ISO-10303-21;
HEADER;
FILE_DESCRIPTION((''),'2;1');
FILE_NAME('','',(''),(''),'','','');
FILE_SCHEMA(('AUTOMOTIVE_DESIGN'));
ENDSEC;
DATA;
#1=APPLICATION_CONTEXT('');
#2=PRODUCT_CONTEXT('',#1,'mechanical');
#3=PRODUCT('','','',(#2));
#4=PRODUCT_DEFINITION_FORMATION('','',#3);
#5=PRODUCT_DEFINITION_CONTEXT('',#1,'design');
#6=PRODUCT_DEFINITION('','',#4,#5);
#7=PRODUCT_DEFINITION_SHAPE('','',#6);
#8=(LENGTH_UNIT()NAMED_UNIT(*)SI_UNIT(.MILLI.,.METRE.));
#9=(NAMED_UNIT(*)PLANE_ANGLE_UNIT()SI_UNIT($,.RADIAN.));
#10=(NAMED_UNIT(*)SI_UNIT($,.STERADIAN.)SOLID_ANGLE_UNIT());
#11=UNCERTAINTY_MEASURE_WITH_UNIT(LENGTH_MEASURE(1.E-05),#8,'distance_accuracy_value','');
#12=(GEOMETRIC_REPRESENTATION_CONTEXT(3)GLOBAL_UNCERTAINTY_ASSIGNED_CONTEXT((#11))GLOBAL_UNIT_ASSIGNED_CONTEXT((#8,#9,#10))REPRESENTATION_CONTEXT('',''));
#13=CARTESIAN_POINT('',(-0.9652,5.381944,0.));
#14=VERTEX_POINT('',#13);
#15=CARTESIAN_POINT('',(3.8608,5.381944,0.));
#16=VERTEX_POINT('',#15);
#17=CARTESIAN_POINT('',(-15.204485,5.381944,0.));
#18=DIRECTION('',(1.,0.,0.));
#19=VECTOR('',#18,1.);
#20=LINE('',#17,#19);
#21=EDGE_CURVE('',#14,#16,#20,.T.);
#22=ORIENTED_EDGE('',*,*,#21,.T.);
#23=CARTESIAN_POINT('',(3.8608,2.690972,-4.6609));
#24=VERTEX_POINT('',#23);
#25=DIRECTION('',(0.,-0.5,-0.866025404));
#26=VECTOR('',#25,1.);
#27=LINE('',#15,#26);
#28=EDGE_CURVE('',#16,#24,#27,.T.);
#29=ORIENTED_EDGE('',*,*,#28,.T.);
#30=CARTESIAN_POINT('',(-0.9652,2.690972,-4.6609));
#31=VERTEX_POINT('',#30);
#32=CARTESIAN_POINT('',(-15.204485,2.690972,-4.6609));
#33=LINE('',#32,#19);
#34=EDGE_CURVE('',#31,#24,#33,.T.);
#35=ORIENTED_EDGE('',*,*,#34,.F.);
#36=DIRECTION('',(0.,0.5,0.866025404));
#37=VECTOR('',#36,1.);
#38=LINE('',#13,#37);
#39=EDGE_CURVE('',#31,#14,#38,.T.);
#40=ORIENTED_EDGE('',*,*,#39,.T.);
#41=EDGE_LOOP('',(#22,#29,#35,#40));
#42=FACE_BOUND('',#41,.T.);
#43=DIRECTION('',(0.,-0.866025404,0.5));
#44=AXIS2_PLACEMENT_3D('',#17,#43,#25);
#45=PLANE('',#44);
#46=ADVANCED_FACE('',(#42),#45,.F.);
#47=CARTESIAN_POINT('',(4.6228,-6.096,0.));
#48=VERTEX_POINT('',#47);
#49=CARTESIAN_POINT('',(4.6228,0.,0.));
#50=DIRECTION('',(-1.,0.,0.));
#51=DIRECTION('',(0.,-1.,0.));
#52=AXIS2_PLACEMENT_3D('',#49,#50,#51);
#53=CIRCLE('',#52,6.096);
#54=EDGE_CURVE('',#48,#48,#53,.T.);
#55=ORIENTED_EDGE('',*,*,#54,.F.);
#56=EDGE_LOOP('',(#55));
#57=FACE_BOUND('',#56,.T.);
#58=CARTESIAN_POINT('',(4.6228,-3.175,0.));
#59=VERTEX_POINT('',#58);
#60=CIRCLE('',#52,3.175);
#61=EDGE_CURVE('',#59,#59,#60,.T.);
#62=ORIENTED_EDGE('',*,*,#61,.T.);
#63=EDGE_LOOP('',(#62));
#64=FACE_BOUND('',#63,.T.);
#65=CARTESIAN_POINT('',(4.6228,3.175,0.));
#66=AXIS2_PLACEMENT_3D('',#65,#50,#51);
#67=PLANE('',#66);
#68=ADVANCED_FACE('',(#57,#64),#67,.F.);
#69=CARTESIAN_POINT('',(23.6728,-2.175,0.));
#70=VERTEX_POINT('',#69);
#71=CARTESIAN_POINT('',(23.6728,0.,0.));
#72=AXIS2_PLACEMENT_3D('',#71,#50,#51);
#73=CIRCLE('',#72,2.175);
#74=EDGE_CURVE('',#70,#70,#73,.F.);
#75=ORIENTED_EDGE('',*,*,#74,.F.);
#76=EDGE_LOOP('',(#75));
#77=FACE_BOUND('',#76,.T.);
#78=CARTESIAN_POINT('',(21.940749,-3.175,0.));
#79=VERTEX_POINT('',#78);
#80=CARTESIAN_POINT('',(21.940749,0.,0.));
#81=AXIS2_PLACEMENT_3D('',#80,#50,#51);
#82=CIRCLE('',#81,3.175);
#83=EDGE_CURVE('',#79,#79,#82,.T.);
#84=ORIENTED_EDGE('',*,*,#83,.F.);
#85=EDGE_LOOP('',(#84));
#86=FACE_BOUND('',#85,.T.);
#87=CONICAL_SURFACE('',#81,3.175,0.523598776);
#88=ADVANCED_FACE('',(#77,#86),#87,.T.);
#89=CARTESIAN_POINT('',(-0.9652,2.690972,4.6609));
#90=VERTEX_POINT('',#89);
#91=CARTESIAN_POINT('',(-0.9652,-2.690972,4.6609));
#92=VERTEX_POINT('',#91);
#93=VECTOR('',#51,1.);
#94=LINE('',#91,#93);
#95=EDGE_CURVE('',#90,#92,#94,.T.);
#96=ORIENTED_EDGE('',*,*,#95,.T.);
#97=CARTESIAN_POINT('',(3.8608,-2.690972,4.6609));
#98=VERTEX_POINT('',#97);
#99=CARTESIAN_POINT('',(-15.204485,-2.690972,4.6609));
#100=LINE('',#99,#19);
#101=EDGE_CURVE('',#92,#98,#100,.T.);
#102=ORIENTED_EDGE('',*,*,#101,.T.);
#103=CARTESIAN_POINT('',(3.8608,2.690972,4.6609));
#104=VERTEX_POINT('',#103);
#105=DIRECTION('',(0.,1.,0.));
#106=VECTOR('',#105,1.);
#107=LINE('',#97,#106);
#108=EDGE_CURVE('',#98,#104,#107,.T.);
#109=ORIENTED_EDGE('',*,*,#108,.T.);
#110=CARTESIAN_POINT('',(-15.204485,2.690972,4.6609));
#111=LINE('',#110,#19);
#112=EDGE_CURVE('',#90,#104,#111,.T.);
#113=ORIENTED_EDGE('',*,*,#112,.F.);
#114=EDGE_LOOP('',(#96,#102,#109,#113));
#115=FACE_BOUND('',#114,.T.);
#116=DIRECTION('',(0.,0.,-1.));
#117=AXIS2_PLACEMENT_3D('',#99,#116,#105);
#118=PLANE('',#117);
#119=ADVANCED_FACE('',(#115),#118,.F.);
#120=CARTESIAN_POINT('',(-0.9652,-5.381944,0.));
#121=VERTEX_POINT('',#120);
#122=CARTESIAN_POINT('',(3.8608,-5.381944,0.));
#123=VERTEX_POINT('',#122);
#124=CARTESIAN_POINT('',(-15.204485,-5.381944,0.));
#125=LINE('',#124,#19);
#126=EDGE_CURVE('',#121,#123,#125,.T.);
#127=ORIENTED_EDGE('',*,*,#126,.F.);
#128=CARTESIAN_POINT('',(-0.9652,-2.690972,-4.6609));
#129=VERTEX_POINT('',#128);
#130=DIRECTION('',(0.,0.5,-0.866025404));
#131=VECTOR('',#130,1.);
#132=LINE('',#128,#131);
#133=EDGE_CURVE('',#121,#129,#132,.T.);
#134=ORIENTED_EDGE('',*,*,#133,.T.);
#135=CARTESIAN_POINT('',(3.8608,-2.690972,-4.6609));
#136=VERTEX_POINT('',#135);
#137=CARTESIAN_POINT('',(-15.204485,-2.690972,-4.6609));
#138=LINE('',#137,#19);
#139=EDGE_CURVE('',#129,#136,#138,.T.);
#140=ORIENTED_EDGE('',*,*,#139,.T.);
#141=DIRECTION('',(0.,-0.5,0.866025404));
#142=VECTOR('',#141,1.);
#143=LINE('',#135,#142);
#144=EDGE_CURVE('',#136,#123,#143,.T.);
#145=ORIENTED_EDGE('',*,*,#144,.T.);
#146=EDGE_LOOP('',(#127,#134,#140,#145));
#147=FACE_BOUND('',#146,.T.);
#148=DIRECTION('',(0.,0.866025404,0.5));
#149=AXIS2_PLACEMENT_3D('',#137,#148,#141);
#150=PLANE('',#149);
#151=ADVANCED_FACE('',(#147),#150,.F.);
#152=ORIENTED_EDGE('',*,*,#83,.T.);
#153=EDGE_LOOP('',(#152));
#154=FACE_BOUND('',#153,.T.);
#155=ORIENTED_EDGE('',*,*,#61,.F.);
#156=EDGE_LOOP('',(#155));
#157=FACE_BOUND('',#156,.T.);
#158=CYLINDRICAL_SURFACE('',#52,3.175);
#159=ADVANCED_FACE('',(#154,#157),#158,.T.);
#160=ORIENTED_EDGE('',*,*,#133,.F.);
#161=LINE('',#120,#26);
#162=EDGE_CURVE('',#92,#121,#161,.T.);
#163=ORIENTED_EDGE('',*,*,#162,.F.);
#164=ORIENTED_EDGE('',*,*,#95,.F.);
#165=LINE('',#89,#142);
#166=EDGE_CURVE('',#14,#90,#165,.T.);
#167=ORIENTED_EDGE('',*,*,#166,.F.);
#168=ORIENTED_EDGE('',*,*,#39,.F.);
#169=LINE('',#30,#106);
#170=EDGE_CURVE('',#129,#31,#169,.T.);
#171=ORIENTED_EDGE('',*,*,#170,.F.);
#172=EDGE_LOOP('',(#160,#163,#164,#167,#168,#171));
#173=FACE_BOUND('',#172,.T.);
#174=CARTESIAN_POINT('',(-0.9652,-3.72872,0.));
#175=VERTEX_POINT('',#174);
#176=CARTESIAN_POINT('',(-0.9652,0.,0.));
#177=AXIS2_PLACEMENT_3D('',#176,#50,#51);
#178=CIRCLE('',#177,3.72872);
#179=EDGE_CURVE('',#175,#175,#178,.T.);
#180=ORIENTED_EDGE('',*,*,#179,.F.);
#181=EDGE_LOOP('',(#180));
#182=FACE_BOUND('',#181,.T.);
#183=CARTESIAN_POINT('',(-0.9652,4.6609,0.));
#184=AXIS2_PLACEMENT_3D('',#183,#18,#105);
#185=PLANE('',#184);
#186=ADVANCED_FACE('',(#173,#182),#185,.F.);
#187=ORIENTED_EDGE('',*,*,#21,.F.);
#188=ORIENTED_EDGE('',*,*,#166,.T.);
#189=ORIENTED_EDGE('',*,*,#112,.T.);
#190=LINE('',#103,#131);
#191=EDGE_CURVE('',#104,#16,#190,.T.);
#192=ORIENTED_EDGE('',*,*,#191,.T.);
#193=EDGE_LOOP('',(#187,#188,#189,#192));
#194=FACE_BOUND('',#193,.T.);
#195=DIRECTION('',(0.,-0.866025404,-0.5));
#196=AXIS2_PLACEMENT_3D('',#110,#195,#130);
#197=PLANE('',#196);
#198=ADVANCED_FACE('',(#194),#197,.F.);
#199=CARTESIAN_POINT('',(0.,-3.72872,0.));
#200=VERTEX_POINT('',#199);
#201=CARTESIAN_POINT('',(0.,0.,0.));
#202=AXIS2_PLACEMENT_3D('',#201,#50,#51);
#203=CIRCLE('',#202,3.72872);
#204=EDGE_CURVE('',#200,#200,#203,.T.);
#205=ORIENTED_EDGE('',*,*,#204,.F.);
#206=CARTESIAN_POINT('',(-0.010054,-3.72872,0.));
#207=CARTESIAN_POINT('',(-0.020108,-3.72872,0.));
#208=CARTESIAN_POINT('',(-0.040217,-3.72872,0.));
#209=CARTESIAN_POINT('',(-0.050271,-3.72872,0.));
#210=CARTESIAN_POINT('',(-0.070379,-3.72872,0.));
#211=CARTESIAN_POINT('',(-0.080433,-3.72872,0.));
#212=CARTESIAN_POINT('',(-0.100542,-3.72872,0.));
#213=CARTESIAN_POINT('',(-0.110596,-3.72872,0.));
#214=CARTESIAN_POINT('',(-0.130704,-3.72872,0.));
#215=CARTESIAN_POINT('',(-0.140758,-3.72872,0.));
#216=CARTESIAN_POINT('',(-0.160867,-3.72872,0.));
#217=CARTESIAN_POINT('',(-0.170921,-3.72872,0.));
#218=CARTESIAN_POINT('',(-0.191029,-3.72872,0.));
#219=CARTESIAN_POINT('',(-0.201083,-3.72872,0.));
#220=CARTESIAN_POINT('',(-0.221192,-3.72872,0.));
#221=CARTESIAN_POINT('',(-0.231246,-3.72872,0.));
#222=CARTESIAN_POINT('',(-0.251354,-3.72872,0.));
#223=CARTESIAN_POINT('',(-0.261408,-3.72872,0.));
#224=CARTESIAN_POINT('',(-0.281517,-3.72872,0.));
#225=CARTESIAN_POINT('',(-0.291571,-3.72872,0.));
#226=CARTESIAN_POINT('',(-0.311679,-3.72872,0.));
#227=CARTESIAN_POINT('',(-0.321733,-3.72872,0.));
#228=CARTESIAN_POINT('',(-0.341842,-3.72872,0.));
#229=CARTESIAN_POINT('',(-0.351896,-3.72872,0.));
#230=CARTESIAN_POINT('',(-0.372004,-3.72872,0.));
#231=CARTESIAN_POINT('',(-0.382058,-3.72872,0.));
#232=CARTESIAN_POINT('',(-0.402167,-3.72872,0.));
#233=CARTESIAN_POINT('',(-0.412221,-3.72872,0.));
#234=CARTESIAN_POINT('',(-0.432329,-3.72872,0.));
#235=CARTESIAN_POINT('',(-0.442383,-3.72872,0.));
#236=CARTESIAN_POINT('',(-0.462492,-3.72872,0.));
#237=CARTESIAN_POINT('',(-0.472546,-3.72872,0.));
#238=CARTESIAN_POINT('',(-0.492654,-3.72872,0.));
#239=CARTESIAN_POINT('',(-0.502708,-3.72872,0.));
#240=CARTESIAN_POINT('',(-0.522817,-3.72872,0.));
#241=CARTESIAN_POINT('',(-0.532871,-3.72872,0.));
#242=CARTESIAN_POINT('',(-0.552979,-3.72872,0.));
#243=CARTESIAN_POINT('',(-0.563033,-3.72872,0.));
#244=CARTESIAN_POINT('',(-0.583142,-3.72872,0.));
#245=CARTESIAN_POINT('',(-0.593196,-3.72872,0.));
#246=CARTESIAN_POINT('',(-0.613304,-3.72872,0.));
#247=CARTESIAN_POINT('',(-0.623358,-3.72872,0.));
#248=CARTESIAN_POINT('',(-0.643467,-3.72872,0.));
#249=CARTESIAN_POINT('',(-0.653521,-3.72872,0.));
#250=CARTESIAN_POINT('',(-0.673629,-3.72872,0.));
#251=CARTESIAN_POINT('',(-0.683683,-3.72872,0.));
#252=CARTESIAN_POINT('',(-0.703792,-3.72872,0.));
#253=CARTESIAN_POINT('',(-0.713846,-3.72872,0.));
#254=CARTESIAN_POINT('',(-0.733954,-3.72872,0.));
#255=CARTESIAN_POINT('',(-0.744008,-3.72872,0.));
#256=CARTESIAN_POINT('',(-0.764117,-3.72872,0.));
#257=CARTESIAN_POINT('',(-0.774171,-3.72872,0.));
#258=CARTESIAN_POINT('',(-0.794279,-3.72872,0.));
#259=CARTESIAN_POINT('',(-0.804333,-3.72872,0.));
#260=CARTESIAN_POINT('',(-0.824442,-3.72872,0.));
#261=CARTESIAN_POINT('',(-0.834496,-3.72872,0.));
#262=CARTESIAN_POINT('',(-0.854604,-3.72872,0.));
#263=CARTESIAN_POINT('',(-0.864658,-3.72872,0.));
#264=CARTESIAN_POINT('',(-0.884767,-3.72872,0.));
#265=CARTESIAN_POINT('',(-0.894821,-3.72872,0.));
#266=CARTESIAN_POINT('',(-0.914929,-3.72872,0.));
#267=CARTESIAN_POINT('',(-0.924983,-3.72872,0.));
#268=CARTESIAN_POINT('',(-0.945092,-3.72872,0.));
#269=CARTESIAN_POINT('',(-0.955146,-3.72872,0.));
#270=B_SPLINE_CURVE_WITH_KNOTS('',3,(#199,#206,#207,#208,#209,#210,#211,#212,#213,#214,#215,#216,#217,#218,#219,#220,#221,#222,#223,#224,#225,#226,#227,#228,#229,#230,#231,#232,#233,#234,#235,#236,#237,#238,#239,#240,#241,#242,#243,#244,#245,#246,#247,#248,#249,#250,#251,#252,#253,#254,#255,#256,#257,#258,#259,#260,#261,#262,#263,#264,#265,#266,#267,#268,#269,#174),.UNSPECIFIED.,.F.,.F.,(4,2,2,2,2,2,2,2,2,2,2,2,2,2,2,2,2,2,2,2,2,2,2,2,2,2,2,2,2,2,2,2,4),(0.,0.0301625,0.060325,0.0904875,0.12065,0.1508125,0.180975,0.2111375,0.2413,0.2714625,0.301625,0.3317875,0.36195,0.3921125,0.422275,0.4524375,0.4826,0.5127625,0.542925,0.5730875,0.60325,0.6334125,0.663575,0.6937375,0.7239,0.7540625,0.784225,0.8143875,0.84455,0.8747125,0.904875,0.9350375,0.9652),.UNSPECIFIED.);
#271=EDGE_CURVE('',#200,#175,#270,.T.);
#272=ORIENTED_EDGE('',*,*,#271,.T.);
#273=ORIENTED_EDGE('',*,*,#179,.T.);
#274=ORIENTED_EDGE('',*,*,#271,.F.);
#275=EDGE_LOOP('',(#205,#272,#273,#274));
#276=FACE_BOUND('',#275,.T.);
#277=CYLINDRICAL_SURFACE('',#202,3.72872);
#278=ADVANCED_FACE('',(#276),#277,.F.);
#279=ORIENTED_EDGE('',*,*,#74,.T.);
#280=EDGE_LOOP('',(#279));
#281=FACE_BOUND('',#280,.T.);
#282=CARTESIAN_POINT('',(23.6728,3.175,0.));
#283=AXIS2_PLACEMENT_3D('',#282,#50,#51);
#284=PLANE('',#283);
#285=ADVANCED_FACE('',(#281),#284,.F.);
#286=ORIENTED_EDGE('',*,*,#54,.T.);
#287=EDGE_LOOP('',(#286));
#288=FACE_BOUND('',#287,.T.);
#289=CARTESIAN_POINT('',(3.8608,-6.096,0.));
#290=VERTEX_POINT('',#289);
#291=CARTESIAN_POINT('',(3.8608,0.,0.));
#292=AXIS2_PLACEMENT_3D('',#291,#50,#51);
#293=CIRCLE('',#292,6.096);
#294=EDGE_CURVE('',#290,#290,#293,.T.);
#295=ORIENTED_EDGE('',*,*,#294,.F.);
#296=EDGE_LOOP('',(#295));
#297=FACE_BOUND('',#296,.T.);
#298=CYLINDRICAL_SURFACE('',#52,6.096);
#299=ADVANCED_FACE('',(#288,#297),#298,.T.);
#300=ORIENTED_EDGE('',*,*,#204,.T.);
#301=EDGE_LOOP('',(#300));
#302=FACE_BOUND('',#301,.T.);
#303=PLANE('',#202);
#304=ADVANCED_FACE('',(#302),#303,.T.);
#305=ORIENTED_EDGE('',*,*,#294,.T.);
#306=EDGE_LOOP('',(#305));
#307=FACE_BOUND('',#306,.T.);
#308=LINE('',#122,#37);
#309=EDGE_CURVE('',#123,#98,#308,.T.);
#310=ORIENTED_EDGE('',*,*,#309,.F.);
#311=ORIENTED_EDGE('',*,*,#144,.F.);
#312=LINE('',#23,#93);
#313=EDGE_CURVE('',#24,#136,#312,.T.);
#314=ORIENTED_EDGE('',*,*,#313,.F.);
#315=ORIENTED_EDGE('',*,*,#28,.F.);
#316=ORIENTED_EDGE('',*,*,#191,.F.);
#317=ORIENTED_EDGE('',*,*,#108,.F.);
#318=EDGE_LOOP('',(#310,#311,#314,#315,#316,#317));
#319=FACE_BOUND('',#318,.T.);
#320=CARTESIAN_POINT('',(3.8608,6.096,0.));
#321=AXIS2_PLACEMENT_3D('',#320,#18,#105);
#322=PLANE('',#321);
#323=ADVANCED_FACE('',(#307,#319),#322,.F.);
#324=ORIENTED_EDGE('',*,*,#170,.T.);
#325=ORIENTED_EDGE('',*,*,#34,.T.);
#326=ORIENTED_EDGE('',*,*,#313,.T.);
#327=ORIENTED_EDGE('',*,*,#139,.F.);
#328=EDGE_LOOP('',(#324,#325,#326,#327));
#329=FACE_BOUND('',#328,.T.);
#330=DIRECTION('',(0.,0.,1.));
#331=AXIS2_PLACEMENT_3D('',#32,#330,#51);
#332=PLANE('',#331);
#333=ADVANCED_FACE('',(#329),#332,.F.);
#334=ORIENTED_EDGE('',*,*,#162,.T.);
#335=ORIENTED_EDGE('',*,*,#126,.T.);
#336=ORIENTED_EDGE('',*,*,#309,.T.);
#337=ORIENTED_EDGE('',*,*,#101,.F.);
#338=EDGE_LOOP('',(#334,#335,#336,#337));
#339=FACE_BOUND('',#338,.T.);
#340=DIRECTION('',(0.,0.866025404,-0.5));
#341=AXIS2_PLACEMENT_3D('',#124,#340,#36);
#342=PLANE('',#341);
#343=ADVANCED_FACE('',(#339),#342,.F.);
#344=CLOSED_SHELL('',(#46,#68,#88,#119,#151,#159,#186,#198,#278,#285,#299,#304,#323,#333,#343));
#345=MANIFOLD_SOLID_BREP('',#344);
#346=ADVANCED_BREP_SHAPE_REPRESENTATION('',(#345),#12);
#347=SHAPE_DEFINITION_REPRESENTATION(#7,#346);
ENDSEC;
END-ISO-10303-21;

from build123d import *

# Parameters (mm, degrees)
BOSS_EXTRUDE1_DEPTH = 4.826
SKETCH3_R           = 3.72872
CUT_EXTRUDE1_DEPTH  = 0.9652
CHAMFER1_SIZE       = 1
CHAMFER1_SIZE2      = 1.732050808


with BuildPart() as part:
    # Sketch1 → Revolve1 (revolve)
    with BuildSketch(Plane.XY, mode=Mode.PRIVATE) as revolve1_sk:
        Polygon((4.6228, 6.096), (3.8608, 6.096), (3.8608, 4.6609), (-0.9652, 4.6609), (-0.9652, 0), (0, 0), (4.6228, 0), (23.6728, 0), (23.6728, 3.175), (4.6228, 3.175), align=None)
    revolve(revolve1_sk.sketch.rotate(Axis((4.6228, 0, 0), (1, 0, 0)), 180), axis=Axis((4.6228, 0, 0), (1, 0, 0)))

    # Sketch2 → Boss-Extrude1 (add)
    with BuildSketch(Plane.ZY.offset(-3.8608)):
        Polygon((0, 5.381943739), (-4.6609, 2.69097187), (-4.6609, -2.69097187), (0, -5.381943739), (4.6609, -2.69097187), (4.6609, 2.69097187), align=None)
    extrude(amount=BOSS_EXTRUDE1_DEPTH)

    # Sketch3 → Cut-Extrude1 (cut)
    with BuildSketch(Plane.ZY.offset(0.9652)):
        with Locations(Location((0, 0, 0), (0, 0, 270))):
            Circle(SKETCH3_R)
    extrude(amount=-CUT_EXTRUDE1_DEPTH, mode=Mode.SUBTRACT)

    # Chamfer1
    chamfer1_edges = [part.edges().sort_by_distance(p)[0] for p in [
        (23.6728, 3.175, 0),
    ]]
    chamfer1_side = [part.faces().sort_by_distance(p)[0] for p in [
        (23.6728, 0, 0),
    ]]
    chamfer(chamfer1_edges, length=CHAMFER1_SIZE, length2=CHAMFER1_SIZE2, reference=chamfer1_side[0])


solid = part.part
